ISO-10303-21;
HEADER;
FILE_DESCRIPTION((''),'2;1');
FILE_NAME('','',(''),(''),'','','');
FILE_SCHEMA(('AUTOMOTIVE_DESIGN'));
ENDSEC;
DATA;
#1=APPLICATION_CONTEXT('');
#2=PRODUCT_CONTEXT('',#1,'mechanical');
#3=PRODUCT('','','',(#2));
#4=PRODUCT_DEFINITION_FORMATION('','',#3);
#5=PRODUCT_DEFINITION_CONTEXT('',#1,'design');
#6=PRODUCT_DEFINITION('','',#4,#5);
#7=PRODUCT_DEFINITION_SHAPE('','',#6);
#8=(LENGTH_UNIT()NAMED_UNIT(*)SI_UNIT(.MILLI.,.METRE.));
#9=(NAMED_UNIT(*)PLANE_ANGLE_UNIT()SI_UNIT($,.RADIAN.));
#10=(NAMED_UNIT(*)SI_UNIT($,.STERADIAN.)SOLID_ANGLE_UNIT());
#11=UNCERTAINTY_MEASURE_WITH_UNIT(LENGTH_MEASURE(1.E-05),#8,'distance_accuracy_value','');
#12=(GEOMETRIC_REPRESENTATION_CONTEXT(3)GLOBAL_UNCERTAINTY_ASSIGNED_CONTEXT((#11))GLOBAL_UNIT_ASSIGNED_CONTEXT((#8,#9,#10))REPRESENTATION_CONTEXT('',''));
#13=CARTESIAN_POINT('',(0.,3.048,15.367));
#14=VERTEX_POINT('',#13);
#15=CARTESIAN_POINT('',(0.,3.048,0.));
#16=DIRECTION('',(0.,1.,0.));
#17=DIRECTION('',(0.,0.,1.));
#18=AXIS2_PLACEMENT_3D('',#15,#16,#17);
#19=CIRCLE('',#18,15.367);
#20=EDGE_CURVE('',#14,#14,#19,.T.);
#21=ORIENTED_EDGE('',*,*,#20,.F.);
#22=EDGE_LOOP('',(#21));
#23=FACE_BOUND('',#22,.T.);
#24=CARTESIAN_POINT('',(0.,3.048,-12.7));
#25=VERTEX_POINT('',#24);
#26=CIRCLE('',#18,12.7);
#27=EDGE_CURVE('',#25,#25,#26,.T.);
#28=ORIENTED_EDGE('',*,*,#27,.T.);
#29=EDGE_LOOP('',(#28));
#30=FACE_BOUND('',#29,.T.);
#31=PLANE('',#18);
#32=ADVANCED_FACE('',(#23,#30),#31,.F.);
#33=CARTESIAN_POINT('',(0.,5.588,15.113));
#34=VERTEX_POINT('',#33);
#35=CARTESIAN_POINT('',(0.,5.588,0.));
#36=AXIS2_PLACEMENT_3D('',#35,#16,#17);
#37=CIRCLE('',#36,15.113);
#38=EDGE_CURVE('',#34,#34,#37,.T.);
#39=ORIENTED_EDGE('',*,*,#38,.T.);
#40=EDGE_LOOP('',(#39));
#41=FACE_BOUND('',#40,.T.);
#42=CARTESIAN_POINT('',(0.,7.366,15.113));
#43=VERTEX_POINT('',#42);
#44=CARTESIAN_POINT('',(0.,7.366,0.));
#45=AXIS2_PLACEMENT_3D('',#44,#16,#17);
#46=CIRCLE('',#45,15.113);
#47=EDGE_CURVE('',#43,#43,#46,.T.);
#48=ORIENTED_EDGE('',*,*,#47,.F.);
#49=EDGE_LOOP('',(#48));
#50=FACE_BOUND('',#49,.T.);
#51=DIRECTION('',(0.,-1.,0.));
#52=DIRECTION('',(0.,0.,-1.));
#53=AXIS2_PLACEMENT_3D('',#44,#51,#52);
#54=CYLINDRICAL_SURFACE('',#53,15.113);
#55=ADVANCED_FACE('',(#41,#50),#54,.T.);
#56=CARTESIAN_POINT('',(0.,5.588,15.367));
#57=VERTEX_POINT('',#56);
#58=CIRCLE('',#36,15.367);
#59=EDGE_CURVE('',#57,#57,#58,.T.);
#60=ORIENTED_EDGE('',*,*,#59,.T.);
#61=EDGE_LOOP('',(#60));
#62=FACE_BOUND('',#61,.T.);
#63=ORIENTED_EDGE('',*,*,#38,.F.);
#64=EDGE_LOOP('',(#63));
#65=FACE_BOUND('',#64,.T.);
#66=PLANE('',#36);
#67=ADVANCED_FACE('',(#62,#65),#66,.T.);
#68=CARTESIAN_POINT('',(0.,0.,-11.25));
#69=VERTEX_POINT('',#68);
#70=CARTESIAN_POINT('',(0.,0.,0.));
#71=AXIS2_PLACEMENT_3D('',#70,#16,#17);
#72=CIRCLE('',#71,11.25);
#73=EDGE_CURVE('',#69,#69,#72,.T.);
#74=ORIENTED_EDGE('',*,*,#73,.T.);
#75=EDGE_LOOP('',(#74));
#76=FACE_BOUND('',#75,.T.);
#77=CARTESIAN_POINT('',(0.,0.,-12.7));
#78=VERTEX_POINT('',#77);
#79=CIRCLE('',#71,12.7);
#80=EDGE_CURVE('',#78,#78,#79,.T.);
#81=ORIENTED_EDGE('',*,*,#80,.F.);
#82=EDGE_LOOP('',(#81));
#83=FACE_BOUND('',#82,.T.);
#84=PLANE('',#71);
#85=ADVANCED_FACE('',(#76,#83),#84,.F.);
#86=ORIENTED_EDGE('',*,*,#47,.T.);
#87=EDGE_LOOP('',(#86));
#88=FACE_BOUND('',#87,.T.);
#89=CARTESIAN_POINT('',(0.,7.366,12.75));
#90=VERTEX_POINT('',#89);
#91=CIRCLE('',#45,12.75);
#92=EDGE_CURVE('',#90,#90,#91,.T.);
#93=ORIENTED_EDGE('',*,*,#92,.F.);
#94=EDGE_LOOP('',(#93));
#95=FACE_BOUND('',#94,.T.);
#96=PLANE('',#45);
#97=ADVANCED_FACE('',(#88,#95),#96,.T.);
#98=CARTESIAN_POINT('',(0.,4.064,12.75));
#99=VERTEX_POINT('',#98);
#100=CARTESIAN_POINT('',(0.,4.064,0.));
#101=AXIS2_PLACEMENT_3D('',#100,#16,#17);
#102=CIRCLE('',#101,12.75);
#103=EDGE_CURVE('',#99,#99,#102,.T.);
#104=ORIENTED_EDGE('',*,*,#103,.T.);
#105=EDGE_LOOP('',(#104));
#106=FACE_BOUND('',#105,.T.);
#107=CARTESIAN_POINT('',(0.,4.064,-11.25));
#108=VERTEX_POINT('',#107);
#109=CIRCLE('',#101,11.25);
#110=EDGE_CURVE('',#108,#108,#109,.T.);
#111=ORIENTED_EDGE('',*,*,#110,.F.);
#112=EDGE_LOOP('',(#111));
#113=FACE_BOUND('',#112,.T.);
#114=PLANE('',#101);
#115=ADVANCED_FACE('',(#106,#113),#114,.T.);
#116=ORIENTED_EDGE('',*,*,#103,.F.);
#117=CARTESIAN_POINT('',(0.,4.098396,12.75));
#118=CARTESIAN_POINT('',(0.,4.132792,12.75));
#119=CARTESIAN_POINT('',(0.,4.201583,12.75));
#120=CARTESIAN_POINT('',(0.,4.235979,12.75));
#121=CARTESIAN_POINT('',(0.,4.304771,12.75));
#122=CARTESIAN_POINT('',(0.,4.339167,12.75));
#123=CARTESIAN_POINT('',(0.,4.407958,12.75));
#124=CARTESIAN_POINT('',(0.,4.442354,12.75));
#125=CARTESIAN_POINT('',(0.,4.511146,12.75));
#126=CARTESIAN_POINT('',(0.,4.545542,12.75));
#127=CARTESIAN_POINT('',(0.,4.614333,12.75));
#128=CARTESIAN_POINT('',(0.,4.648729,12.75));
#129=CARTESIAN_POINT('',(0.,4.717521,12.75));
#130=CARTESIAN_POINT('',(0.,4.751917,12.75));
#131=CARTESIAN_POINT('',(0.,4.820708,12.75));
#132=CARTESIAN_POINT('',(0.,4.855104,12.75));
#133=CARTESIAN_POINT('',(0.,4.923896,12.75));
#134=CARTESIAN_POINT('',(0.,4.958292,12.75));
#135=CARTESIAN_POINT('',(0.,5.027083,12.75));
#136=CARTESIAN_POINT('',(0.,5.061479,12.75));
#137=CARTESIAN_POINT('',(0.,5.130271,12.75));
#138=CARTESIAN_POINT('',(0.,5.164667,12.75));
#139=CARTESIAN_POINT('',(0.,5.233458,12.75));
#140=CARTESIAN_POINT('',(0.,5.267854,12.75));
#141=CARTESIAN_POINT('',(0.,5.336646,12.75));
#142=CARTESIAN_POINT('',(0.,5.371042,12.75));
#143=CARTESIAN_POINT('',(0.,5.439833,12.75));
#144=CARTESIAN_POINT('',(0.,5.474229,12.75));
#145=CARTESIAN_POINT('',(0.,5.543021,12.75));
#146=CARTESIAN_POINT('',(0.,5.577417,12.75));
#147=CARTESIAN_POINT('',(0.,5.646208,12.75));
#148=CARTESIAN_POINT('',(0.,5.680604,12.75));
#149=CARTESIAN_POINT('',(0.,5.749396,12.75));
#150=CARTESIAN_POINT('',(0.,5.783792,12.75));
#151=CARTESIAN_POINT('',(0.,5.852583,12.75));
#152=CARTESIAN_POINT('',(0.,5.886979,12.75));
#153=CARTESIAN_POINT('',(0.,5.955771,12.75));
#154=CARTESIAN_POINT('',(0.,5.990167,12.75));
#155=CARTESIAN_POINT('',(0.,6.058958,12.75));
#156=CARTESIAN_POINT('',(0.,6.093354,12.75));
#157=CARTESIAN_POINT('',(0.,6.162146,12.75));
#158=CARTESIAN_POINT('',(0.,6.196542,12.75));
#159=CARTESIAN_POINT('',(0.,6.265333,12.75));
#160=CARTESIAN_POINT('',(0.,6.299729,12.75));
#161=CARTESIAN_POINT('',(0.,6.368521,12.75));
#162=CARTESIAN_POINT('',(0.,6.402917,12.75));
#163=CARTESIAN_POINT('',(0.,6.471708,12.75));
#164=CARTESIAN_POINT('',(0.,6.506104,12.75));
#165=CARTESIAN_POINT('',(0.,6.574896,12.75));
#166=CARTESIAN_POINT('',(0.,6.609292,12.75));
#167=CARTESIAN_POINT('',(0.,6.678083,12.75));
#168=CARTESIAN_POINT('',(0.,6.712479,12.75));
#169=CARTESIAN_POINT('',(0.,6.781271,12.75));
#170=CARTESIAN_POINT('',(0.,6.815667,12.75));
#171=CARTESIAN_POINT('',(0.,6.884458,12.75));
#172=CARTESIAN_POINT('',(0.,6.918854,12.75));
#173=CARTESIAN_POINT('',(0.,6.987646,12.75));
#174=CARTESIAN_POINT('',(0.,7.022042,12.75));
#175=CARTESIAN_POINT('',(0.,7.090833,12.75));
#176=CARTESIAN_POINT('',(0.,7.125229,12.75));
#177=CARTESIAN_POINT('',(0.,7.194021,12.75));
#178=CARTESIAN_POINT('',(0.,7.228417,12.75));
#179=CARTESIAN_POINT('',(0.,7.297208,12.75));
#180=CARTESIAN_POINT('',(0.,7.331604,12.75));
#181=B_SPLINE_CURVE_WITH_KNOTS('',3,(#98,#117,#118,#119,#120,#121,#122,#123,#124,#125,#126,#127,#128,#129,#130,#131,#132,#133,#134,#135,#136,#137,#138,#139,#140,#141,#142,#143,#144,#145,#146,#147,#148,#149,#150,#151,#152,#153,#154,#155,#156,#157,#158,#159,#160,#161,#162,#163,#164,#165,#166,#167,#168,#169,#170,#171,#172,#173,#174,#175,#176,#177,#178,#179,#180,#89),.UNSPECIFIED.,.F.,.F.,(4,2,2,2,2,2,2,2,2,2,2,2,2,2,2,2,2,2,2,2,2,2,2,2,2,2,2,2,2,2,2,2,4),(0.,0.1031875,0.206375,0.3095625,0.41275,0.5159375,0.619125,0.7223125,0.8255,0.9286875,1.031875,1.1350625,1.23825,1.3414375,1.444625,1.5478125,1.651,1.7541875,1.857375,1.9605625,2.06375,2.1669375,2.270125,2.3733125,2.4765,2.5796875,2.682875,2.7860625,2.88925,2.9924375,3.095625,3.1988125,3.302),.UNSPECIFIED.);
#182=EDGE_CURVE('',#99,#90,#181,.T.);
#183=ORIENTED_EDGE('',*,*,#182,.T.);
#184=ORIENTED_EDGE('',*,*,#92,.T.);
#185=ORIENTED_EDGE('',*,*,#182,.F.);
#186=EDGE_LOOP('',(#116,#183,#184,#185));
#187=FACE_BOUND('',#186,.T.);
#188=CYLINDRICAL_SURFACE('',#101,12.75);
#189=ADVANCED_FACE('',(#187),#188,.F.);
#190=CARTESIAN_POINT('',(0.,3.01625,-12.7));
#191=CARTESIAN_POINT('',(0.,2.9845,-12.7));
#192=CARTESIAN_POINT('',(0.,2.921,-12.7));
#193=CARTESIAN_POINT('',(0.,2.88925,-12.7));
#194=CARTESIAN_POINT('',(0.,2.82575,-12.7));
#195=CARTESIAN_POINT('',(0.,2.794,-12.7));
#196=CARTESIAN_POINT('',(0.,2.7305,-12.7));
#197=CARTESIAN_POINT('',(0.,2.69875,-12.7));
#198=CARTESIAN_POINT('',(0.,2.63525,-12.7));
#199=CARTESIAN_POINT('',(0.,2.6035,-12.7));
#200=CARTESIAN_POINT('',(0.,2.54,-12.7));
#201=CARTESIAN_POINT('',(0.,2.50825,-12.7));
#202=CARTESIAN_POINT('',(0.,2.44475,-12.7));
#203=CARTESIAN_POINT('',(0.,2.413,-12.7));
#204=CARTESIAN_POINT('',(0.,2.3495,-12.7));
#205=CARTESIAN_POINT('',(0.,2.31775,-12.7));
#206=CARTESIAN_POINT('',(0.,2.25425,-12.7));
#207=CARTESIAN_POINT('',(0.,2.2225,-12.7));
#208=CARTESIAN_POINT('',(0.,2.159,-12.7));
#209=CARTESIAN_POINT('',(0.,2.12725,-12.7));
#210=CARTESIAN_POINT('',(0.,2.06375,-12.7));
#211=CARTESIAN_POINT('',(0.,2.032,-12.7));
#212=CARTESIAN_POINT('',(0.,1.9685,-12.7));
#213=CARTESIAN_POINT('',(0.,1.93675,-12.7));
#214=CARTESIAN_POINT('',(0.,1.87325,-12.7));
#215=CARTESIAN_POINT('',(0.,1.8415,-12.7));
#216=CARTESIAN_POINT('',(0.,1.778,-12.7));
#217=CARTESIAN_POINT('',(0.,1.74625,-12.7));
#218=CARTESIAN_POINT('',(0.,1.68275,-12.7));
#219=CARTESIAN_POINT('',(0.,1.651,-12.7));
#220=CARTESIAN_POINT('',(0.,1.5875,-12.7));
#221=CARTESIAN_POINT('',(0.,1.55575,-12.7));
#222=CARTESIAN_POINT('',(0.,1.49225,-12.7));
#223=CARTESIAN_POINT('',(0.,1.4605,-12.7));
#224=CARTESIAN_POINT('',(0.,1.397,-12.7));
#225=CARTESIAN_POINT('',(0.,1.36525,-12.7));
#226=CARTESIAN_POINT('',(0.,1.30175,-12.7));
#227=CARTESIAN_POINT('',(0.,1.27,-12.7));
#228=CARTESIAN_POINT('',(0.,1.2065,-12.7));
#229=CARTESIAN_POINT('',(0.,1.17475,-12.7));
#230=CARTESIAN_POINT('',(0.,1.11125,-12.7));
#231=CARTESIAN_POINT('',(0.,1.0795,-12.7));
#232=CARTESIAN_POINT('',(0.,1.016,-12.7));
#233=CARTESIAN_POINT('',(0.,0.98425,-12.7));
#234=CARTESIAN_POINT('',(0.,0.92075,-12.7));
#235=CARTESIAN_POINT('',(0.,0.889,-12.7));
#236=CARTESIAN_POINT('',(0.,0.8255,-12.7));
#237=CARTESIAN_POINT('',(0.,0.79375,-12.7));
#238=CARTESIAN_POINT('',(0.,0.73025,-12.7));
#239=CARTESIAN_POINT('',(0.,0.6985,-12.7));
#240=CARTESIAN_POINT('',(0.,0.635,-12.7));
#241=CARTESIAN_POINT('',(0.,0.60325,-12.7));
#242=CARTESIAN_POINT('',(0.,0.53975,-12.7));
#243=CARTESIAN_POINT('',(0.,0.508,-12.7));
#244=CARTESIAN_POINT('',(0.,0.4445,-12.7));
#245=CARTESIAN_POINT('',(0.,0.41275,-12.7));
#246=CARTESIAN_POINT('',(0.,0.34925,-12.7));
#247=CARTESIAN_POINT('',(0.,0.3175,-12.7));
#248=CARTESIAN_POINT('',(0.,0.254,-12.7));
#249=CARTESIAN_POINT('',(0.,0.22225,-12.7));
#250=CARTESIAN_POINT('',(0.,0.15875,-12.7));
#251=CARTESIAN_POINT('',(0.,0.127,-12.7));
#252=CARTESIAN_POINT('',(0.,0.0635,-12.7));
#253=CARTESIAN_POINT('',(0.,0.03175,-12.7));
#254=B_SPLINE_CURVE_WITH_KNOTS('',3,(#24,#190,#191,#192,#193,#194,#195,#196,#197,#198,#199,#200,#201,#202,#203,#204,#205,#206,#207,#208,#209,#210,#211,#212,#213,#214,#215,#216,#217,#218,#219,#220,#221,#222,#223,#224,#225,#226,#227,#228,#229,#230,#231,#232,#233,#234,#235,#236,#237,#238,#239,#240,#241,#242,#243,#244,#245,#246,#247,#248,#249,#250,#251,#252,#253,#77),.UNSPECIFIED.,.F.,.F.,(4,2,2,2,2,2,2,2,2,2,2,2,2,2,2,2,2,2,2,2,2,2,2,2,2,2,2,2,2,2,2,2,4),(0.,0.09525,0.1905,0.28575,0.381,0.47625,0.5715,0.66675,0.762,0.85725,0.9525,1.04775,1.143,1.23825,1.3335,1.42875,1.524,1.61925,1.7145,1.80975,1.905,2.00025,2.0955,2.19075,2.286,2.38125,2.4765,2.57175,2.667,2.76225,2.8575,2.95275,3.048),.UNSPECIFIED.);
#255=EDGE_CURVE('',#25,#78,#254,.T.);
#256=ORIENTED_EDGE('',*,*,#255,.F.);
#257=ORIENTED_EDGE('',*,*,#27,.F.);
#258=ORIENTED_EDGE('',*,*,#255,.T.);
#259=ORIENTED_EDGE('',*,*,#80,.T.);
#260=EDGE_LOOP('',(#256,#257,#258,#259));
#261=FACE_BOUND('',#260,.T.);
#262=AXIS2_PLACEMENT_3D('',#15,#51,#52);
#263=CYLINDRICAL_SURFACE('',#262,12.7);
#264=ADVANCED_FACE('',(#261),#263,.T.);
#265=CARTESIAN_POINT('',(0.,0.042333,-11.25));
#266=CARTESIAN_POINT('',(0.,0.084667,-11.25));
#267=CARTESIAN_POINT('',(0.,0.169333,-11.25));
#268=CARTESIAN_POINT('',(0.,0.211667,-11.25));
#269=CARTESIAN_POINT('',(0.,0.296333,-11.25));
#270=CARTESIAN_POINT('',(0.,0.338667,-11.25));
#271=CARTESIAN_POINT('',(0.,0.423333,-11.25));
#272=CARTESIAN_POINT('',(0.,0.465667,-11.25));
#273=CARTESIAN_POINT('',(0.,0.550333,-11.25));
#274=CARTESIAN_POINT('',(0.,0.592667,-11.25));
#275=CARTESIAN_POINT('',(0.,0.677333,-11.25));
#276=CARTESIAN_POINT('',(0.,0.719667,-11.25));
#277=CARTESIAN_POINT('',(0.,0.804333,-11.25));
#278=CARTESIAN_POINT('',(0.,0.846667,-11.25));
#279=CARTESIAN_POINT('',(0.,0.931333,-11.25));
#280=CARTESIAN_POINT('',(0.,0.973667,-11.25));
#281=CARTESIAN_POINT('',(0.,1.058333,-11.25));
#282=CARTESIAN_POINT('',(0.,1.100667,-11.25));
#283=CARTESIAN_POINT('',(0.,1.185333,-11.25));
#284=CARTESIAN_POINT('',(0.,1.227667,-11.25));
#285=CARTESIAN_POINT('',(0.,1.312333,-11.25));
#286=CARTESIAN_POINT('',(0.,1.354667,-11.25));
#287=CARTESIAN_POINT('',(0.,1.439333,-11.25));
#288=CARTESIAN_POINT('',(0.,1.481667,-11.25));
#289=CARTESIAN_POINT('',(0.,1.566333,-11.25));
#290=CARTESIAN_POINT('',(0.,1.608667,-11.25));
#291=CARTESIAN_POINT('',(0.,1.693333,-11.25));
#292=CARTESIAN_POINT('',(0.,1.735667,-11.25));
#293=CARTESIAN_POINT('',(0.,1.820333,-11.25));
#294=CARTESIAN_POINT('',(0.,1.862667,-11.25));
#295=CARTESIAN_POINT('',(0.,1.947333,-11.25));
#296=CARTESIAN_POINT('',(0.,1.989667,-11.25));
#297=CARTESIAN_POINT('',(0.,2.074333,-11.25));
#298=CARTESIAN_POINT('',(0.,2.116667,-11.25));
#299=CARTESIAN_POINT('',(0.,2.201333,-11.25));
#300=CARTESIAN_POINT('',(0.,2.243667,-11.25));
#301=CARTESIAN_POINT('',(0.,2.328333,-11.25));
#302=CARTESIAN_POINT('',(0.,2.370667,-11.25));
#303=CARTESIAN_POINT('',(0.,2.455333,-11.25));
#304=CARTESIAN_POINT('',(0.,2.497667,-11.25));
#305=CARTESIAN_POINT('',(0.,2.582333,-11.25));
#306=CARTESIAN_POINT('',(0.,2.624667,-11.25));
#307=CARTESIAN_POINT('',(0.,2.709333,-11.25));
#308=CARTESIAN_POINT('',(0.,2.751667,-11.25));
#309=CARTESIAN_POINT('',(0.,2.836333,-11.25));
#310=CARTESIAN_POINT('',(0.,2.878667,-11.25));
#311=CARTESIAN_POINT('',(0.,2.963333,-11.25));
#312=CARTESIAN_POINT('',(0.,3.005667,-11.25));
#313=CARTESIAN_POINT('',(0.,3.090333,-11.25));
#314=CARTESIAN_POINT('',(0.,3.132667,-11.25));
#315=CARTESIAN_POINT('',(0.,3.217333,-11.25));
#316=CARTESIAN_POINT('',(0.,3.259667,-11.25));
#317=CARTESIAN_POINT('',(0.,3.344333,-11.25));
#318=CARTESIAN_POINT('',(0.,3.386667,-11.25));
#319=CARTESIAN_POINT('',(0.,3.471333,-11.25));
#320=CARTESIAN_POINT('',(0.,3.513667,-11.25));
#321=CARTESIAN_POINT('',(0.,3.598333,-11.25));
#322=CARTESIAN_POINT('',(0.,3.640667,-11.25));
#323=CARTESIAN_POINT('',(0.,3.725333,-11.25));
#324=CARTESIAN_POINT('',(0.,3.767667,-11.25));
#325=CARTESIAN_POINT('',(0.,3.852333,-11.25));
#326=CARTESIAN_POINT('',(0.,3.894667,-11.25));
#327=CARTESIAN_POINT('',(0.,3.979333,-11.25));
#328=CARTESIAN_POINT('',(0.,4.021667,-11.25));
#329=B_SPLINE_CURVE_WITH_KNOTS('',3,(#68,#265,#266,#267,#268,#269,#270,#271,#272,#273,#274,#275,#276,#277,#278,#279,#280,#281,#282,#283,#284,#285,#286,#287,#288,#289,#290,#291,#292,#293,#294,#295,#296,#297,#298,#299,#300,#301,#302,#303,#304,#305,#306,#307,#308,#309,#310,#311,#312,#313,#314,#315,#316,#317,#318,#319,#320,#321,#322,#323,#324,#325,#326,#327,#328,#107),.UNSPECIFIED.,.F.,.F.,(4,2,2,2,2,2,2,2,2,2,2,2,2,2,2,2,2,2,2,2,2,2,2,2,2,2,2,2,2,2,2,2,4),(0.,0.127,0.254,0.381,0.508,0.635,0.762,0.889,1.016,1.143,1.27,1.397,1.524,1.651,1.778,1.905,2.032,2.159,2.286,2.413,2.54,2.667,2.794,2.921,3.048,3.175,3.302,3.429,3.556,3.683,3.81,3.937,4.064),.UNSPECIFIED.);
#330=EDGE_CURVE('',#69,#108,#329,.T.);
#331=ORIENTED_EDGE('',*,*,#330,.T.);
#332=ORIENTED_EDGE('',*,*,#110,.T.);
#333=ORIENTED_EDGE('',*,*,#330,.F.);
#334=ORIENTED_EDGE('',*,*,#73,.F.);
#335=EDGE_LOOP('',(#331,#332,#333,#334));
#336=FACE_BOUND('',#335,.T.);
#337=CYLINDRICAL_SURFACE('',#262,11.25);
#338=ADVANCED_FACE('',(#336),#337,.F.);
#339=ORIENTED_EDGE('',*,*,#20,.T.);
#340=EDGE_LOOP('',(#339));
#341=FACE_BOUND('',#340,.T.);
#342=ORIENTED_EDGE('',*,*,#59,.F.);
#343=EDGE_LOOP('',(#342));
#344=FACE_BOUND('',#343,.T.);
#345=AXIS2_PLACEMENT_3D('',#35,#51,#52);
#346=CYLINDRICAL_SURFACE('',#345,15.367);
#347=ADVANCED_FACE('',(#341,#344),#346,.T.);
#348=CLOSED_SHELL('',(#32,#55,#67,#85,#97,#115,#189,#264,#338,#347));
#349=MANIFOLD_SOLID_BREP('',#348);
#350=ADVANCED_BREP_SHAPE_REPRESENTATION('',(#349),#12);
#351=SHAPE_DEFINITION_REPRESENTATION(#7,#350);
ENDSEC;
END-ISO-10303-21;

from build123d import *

# Parameters (mm, degrees)
SKETCH1_R           = 12.7
SKETCH1_R_2         = 11.25
BOSS_EXTRUDE1_DEPTH = 3.048
SKETCH2_R           = 15.367
BOSS_EXTRUDE2_DEPTH = 2.54
SKETCH3_R           = 15.113
BOSS_EXTRUDE3_DEPTH = 1.778
SKETCH4_R           = 11.25
CUT_EXTRUDE1_DEPTH  = 4.318
SKETCH5_R           = 12.75
CUT_EXTRUDE2_DEPTH  = 3.302


with BuildPart() as part:
    # Sketch1 → Boss-Extrude1 (new body)
    with BuildSketch(Plane(origin=(0, 0, 0), x_dir=(1, 0, 0), z_dir=(0, 1, 0))):
        with Locations(Location((0, 0, 0), (0, 0, 90))):
            Circle(SKETCH1_R)
        with Locations(Location((0, 0, 0), (0, 0, 90))):
            Circle(SKETCH1_R_2, mode=Mode.SUBTRACT)
    extrude(amount=BOSS_EXTRUDE1_DEPTH)

    # Sketch2 → Boss-Extrude2 (add)
    with BuildSketch(Plane(origin=(0, 3.048, 0), x_dir=(1, 0, 0), z_dir=(0, 1, 0))):
        with Locations(Location((0, 0, 0), (0, 0, 270))):
            Circle(SKETCH2_R)
    extrude(amount=BOSS_EXTRUDE2_DEPTH)

    # Sketch3 → Boss-Extrude3 (add)
    with BuildSketch(Plane(origin=(0, 5.588, 0), x_dir=(1, 0, 0), z_dir=(0, 1, 0))):
        with Locations(Location((0, 0, 0), (0, 0, 270))):
            Circle(SKETCH3_R)
    extrude(amount=BOSS_EXTRUDE3_DEPTH)

    # Sketch4 → Cut-Extrude1 (cut)
    with BuildSketch(Plane.XZ.offset(-3.048)):
        with Locations(Location((0, 0, 0), (0, 0, 270))):
            Circle(SKETCH4_R)
    extrude(amount=-CUT_EXTRUDE1_DEPTH, mode=Mode.SUBTRACT)

    # Sketch5 → Cut-Extrude2 (cut)
    with BuildSketch(Plane(origin=(0, 7.366, 0), x_dir=(1, 0, 0), z_dir=(0, 1, 0))):
        with Locations(Location((0, 0, 0), (0, 0, 270))):
            Circle(SKETCH5_R)
    extrude(amount=-CUT_EXTRUDE2_DEPTH, mode=Mode.SUBTRACT)


solid = part.part
